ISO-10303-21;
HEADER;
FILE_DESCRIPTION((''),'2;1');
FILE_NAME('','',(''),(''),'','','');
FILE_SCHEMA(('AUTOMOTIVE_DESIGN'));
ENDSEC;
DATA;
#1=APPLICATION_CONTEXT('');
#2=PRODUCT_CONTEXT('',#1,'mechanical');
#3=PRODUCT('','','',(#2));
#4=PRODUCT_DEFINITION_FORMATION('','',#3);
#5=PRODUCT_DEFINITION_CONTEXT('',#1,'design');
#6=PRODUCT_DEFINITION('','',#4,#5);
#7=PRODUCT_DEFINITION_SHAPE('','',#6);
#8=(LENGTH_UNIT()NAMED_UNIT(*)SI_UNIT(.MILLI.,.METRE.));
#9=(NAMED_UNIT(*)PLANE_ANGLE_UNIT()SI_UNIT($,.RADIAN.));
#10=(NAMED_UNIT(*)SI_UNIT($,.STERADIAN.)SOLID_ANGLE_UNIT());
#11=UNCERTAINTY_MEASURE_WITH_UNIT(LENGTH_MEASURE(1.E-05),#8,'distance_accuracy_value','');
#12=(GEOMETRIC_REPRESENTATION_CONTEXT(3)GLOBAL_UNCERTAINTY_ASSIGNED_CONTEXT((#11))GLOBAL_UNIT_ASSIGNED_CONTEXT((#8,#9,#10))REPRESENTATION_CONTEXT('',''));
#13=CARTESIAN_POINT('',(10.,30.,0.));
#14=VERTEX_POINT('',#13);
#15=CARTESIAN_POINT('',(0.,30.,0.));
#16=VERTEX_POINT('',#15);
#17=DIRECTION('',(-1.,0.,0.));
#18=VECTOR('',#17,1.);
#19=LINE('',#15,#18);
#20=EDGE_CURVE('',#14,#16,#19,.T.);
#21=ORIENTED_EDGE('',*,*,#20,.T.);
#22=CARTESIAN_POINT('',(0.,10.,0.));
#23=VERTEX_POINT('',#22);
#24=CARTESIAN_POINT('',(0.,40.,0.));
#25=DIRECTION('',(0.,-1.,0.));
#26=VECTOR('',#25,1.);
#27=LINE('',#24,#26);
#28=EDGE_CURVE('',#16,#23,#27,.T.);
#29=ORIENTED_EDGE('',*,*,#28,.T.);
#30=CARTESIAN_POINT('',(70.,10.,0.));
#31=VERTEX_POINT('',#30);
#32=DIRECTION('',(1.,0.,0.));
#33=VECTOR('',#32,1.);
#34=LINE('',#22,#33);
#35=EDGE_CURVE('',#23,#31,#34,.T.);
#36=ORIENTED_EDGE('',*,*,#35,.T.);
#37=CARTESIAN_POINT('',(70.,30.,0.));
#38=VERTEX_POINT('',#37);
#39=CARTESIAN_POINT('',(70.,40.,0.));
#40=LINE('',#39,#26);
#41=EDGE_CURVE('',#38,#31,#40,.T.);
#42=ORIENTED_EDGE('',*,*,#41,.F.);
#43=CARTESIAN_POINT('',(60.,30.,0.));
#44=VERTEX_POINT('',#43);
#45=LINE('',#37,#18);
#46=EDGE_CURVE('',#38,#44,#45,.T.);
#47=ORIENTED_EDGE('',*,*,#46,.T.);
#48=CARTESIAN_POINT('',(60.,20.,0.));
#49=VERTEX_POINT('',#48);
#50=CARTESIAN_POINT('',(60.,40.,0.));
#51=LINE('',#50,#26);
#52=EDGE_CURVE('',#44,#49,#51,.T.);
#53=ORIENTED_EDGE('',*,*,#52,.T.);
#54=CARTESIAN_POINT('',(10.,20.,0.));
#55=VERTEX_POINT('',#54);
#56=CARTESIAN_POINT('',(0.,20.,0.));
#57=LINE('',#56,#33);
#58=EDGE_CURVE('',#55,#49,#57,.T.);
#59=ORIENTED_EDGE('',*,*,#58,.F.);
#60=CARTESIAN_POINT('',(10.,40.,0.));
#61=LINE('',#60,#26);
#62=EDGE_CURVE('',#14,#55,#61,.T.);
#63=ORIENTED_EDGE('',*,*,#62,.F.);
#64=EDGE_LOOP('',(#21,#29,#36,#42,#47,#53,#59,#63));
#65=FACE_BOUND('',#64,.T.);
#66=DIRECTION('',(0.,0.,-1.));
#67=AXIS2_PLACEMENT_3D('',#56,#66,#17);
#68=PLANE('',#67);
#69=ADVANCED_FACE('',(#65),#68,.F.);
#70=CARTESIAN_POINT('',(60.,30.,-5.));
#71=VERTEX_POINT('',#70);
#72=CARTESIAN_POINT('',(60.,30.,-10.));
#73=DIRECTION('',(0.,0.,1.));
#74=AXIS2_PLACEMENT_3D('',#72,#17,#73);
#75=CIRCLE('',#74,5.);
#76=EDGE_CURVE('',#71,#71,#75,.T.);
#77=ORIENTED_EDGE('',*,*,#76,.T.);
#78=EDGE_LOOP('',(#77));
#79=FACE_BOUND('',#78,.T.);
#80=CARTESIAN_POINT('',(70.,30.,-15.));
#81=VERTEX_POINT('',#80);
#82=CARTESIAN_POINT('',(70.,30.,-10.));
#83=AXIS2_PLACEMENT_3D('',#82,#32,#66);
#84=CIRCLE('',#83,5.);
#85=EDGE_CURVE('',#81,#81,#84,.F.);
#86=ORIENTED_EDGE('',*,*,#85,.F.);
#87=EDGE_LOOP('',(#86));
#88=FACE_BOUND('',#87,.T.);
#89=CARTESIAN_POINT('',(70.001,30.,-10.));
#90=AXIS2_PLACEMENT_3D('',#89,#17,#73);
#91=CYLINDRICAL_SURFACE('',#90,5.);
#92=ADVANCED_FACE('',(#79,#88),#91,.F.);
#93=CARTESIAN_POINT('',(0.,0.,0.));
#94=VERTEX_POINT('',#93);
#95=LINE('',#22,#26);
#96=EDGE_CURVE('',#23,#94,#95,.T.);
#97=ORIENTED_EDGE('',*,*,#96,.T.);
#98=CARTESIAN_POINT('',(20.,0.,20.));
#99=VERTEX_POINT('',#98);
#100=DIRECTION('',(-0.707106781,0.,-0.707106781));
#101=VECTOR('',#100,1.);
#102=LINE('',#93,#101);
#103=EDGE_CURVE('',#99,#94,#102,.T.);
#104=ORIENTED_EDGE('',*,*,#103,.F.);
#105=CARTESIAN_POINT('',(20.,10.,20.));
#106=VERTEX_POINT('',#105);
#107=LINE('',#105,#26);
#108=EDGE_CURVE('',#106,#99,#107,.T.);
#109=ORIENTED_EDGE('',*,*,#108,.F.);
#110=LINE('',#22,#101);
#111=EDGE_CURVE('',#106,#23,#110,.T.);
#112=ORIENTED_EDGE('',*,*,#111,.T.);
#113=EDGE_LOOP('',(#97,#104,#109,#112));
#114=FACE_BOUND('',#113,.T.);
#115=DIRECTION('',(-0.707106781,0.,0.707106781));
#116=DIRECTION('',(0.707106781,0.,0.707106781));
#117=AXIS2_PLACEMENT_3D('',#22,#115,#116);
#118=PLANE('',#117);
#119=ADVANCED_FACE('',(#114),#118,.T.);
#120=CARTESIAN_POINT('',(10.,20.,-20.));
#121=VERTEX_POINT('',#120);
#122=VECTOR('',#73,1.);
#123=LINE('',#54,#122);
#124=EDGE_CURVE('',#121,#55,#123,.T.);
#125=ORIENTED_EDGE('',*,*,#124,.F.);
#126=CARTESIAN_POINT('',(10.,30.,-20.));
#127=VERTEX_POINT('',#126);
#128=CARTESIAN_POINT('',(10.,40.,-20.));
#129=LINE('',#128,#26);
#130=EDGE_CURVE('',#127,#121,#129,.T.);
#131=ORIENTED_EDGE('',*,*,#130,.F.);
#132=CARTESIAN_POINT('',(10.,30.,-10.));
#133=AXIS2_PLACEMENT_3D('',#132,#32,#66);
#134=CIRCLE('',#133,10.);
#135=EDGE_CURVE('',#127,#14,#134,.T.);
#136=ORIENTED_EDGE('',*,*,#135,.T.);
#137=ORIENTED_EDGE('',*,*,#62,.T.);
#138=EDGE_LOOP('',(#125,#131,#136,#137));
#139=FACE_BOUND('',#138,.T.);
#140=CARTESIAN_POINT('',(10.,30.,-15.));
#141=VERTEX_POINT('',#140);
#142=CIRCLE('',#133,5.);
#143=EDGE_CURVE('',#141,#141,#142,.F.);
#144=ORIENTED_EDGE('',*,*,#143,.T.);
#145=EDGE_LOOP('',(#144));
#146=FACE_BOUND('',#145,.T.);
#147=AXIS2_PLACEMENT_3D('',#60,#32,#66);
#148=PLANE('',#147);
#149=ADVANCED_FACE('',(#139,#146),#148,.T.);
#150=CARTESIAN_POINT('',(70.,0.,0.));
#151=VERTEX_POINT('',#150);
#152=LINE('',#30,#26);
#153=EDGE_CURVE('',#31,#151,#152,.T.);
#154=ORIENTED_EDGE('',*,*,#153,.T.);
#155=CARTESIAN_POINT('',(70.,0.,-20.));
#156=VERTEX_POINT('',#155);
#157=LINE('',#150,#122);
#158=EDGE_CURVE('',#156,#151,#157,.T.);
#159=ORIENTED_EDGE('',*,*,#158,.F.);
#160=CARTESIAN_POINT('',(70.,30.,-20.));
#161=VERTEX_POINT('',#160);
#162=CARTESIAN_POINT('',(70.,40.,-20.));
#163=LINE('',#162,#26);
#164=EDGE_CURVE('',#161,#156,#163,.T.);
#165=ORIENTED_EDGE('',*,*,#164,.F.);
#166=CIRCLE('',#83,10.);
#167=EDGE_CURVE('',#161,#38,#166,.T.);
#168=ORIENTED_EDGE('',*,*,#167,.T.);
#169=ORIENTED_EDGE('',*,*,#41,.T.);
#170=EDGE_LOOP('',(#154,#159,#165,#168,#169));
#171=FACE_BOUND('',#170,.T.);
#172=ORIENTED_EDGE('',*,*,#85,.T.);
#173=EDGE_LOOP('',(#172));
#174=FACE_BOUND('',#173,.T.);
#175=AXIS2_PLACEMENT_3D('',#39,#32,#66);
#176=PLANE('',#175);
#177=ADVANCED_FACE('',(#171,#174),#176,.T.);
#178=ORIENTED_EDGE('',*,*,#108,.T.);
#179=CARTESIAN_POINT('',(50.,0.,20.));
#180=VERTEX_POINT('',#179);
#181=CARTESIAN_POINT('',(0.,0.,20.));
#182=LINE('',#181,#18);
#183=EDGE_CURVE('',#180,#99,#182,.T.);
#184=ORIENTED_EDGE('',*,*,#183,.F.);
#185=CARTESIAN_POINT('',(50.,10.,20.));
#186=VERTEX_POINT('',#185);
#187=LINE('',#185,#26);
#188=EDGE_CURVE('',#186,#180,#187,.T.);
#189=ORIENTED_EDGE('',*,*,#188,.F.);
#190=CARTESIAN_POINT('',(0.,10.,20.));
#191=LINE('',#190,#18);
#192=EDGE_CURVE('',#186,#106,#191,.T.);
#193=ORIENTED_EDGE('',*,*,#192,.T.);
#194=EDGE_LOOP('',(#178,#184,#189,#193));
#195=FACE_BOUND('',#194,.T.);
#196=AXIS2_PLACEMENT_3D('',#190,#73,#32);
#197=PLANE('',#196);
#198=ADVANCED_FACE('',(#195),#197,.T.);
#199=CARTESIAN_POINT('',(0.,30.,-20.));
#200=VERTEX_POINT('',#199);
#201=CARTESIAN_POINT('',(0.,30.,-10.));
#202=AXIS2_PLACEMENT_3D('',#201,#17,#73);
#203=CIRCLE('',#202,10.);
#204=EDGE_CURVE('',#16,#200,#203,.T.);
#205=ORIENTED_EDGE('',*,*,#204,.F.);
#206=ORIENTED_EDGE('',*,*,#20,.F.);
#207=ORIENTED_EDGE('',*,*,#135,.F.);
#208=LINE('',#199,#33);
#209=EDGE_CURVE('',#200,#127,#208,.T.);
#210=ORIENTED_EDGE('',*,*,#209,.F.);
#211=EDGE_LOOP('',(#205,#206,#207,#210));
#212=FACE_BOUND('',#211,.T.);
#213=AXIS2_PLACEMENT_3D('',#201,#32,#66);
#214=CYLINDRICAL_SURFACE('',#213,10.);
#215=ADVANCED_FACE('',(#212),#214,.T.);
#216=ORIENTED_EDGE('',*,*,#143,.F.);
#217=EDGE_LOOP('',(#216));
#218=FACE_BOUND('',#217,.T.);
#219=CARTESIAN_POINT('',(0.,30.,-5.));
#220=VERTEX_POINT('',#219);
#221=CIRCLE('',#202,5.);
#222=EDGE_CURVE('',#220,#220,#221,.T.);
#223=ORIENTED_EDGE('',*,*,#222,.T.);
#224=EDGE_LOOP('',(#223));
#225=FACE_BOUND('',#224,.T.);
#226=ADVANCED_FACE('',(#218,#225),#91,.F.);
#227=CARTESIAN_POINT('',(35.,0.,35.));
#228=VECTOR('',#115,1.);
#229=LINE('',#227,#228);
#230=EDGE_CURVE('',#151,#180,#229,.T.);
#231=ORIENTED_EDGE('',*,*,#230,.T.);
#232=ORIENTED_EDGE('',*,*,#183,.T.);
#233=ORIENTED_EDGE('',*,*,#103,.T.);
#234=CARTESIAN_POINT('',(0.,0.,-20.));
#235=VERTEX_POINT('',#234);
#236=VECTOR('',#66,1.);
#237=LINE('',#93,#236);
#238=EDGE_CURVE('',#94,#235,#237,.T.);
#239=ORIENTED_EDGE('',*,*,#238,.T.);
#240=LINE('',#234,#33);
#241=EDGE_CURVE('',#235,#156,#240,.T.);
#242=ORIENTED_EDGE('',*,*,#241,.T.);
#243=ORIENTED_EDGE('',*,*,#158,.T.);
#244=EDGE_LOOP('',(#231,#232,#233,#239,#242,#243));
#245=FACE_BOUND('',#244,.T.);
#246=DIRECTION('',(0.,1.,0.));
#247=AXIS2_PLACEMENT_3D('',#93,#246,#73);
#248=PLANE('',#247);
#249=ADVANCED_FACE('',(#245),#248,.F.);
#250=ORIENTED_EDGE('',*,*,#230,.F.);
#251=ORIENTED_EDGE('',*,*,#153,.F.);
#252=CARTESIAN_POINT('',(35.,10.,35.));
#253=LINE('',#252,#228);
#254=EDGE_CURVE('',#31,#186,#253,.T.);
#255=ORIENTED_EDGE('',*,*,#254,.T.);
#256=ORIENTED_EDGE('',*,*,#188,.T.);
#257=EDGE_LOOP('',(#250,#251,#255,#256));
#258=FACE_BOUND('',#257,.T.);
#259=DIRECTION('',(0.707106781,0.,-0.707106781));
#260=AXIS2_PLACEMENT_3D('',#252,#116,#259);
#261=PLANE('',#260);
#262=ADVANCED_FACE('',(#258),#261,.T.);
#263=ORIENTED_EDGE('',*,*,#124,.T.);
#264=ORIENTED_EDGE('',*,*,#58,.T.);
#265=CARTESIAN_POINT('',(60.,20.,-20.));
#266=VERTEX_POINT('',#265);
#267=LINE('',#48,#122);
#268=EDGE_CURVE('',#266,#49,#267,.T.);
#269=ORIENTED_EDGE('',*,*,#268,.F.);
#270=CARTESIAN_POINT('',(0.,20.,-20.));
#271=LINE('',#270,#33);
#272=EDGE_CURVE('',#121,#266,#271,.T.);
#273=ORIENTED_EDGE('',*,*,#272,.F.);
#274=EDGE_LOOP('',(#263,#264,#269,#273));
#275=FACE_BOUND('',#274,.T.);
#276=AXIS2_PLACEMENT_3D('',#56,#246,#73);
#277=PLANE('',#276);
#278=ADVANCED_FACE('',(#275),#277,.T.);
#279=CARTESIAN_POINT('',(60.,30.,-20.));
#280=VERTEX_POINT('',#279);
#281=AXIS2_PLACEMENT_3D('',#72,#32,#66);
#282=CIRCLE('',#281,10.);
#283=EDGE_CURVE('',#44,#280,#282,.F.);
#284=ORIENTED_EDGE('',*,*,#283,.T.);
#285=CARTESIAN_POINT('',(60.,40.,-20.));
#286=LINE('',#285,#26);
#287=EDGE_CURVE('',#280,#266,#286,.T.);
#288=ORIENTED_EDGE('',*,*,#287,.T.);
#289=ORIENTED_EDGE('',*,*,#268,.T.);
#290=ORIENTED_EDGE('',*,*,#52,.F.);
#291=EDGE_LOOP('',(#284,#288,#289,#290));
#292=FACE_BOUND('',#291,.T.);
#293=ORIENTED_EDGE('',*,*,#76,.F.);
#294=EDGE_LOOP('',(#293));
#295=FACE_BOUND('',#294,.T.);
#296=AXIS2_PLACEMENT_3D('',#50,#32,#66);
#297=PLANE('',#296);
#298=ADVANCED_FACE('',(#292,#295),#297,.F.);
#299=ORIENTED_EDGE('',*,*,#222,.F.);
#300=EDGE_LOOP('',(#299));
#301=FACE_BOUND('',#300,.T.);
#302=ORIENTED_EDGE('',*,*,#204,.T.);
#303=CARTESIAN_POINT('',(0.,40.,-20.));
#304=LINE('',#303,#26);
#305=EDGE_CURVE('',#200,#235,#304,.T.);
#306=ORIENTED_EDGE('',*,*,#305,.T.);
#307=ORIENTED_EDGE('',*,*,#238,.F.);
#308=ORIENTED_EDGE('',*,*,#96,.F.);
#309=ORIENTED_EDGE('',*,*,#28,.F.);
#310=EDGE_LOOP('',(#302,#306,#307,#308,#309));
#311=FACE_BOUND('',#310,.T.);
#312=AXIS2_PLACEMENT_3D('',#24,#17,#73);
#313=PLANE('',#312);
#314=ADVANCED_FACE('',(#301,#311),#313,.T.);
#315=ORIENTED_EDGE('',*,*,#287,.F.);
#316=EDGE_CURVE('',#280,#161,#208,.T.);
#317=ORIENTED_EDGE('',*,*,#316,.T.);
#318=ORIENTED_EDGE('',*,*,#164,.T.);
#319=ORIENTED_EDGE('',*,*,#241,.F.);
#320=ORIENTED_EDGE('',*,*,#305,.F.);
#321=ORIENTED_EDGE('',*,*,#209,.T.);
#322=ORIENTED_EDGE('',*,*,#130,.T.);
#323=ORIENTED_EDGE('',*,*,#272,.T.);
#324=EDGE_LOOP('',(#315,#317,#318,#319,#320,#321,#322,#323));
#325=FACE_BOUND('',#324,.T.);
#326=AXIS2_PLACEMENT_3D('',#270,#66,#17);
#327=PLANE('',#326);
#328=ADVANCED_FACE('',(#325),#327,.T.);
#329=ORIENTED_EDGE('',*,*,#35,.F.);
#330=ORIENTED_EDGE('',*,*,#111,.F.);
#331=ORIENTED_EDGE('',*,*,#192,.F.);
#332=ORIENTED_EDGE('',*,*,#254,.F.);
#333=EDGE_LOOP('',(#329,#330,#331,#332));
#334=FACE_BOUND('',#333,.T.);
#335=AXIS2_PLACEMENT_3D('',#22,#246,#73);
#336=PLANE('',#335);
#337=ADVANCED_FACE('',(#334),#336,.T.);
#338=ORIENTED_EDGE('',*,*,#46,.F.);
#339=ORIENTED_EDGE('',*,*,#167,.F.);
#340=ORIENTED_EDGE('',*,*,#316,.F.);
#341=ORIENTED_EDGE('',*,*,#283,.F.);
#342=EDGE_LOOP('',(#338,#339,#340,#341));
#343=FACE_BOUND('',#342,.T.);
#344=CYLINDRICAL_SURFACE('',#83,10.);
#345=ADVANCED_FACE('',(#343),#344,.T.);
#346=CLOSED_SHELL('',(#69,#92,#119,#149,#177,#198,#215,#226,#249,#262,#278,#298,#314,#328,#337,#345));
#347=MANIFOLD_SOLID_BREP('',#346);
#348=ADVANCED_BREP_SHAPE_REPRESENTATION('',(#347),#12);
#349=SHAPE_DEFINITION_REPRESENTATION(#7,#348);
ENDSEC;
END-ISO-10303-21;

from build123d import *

# Parameters (mm, degrees)
BOSS_EXTRUDE1_DEPTH = 10
SKETCH1_3_W         = 50
SKETCH1_3_H         = 20
BOSS_EXTRUDE2_DEPTH = 20
SKETCH1_4_W         = 10
SKETCH1_4_H         = 20
BOSS_EXTRUDE3_DEPTH = 40
FILLET1_RADIUS      = 10
FILLET1_LENGTH      = 10
FILLET2_RADIUS      = 10
FILLET2_LENGTH      = 10
CUT_EXTRUDE1_REACH  = 76.833
SKETCH2_R           = 5
CUT_EXTRUDE2_START  = 60
SKETCH2_2_R         = 5
CUT_EXTRUDE2_DEPTH  = 70


with BuildPart() as part:
    # Sketch1 → Boss-Extrude1 (new body)
    with BuildSketch(Plane(origin=(0, 0, 0), x_dir=(1, 0, 0), z_dir=(0, 1, 0))):
        Polygon((20, -20), (0, 0), (70, 0), (50, -20), align=None)
    extrude(amount=BOSS_EXTRUDE1_DEPTH)

    # Sketch1<3> → Boss-Extrude2 (add)
    with BuildSketch(Plane(origin=(0, 0, 0), x_dir=(1, 0, 0), z_dir=(0, 1, 0))):
        with Locations((35, 10)):
            Rectangle(SKETCH1_3_W, SKETCH1_3_H)
    extrude(amount=BOSS_EXTRUDE2_DEPTH)

    # Sketch1<4> → Boss-Extrude3 (add)
    with BuildSketch(Plane(origin=(0, 0, 0), x_dir=(1, 0, 0), z_dir=(0, 1, 0))):
        with Locations((65, 10)):
            Rectangle(SKETCH1_4_W, SKETCH1_4_H)
        with Locations((5, 10)):
            Rectangle(SKETCH1_4_W, SKETCH1_4_H)
    extrude(amount=BOSS_EXTRUDE3_DEPTH)

    # Fillet1: full round fillet: the end face becomes a half cylinder, R = half its width
    fillet1_face = Plane((65, 40, -10), x_dir=(-1, 0, 0), z_dir=(0, 1, 0))  # on the end face: x along it, z out of the body
    fillet1_slab = fillet1_face.offset(-FILLET1_RADIUS / 2) * Box(FILLET1_LENGTH, 2 * FILLET1_RADIUS, FILLET1_RADIUS, mode=Mode.PRIVATE)  # the body's end, R deep
    fillet1_round = Plane((65, 30, -10), x_dir=(0, 1, 0), z_dir=(-1, 0, 0)) * Cylinder(FILLET1_RADIUS, FILLET1_LENGTH, mode=Mode.PRIVATE)  # its axis R under the face
    add(fillet1_slab - fillet1_round, mode=Mode.SUBTRACT)

    # Fillet2: full round fillet: the end face becomes a half cylinder, R = half its width
    fillet2_face = Plane((5, 40, -10), x_dir=(-1, 0, 0), z_dir=(0, 1, 0))  # on the end face: x along it, z out of the body
    fillet2_slab = fillet2_face.offset(-FILLET2_RADIUS / 2) * Box(FILLET2_LENGTH, 2 * FILLET2_RADIUS, FILLET2_RADIUS, mode=Mode.PRIVATE)  # the body's end, R deep
    fillet2_round = Plane((5, 30, -10), x_dir=(0, 1, 0), z_dir=(-1, 0, 0)) * Cylinder(FILLET2_RADIUS, FILLET2_LENGTH, mode=Mode.PRIVATE)  # its axis R under the face
    add(fillet2_slab - fillet2_round, mode=Mode.SUBTRACT)

    # Sketch2 → Cut-Extrude1 (cut, up to next)
    with BuildSketch(Plane.ZY.offset(-60), mode=Mode.PRIVATE) as cut_extrude1_sk1:
        with Locations((-10, 30)):
            Circle(SKETCH2_R)
    cut_extrude1_tool1 = extrude(cut_extrude1_sk1.sketch, amount=-CUT_EXTRUDE1_REACH, mode=Mode.PRIVATE) & part.part
    add(cut_extrude1_tool1.solids().sort_by_distance((60, 30, -10))[0], mode=Mode.SUBTRACT)

    # Sketch2<2> → Cut-Extrude2 (cut)
    with BuildSketch(Plane.ZY.offset(-60).offset(CUT_EXTRUDE2_START)):
        with Locations((-10, 30)):
            Circle(SKETCH2_2_R)
    extrude(amount=-CUT_EXTRUDE2_DEPTH, mode=Mode.SUBTRACT)


solid = part.part
